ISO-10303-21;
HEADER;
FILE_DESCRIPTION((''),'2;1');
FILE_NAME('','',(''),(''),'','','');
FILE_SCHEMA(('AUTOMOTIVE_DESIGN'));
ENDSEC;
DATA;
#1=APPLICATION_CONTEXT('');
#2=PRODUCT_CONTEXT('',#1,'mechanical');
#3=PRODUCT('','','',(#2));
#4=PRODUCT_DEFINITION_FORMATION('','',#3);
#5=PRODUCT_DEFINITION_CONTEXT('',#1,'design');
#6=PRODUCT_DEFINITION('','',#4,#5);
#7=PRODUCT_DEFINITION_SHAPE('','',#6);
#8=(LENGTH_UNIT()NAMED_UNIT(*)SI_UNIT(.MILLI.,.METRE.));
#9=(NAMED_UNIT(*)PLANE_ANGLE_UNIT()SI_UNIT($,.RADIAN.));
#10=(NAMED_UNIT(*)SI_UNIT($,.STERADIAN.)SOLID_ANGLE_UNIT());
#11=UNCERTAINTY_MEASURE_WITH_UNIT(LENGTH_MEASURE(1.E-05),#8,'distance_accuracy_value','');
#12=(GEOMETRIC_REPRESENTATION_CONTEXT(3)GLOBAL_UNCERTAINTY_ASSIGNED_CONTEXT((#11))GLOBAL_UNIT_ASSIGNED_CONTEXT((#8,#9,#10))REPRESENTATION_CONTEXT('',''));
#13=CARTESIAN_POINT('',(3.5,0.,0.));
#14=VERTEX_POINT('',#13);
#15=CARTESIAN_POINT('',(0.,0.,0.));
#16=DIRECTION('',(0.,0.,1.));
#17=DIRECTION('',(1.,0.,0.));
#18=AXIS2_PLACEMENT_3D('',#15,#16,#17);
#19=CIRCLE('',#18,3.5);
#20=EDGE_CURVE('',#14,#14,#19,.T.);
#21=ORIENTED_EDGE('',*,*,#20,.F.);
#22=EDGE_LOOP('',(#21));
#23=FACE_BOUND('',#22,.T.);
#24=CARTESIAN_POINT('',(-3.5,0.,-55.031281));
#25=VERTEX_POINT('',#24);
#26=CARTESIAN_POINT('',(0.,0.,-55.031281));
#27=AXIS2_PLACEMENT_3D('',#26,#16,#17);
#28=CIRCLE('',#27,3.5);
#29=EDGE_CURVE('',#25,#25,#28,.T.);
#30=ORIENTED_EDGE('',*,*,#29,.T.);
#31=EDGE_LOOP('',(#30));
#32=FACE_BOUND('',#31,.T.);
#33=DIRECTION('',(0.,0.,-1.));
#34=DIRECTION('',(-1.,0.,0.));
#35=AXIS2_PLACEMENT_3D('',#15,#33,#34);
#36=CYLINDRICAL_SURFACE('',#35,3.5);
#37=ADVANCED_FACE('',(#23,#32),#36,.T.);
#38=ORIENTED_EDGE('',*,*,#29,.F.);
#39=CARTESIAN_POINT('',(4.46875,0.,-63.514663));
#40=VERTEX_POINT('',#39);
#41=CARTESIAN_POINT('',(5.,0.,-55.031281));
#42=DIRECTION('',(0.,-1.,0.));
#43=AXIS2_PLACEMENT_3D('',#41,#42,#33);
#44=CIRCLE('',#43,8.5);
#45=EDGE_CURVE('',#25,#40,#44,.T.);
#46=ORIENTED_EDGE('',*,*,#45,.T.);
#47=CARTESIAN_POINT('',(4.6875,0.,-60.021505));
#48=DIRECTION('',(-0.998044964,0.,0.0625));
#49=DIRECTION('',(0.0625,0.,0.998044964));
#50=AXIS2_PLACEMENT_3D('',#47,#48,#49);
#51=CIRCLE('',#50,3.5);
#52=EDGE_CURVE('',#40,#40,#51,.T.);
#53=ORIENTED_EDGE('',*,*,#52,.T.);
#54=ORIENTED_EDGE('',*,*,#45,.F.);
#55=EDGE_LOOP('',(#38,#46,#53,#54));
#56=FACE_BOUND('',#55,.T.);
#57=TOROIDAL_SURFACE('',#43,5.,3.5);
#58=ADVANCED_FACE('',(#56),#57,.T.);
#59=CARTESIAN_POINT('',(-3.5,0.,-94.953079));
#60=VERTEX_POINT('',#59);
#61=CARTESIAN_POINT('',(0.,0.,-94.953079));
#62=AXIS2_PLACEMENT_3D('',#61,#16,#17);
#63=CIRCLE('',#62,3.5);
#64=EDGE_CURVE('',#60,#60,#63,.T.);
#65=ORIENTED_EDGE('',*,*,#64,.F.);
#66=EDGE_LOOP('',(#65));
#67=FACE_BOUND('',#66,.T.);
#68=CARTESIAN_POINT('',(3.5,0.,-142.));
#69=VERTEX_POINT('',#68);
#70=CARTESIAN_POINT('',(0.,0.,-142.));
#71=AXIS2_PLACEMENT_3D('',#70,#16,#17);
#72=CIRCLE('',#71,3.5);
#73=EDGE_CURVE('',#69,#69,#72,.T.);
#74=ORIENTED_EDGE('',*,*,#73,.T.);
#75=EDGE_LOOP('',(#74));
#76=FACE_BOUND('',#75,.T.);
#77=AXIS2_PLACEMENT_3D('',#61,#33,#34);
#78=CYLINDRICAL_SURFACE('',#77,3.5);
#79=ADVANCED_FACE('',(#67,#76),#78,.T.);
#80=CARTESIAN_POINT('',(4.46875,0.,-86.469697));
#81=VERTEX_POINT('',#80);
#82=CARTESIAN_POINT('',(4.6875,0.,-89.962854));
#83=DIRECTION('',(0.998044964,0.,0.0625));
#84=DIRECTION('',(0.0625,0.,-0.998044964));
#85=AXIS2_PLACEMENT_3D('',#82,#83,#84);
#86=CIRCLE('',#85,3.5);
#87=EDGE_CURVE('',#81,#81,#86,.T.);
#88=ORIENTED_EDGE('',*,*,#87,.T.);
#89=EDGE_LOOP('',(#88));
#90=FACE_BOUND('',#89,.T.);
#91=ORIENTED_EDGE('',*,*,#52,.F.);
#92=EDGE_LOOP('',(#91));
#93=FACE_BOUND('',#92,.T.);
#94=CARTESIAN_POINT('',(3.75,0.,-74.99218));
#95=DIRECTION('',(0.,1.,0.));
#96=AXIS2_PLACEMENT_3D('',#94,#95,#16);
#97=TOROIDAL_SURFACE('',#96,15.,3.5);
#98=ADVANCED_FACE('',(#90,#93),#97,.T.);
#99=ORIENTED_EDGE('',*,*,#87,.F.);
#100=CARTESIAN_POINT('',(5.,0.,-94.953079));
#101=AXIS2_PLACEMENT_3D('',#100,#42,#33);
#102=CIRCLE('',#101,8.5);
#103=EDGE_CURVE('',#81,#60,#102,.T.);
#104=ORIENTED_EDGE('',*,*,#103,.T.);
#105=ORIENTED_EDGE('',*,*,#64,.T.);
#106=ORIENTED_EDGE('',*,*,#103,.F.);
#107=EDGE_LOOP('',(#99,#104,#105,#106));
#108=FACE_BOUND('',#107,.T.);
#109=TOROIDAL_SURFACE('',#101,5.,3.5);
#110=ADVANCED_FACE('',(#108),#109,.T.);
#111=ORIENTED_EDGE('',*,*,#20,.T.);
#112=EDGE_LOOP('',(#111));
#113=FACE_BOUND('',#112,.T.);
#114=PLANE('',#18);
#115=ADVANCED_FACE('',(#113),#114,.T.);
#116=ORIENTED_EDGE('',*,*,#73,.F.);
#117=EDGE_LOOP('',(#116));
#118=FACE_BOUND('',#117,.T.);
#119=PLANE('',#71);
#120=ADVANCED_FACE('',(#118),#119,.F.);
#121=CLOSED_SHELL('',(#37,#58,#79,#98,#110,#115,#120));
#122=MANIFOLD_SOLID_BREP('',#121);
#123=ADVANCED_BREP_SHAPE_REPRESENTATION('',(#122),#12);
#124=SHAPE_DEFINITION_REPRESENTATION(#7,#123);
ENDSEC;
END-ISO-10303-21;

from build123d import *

# Parameters (mm, degrees)
CROQUIS2_R = 3.5


with BuildPart() as part:
    # Barrer2: sweep along a path in Croquis1
    with BuildLine(Plane(origin=(0, 0, 0), x_dir=(1, 0, 0), z_dir=(0, 1, 0))) as barrer2_path:
        Line((0, 0), (0, 55.031280577))
        ThreePointArc((0, 55.031280577), (1.355655066, 58.454546562), (4.6875, 60.021505397))
        ThreePointArc((4.6875, 60.021505397), (18.75, 74.992179856), (4.6875, 89.962854314))
        ThreePointArc((4.6875, 89.962854314), (1.355655066, 91.52981315), (0, 94.953079134))
        Line((0, 94.953079134), (0, 142))
    # Croquis2 → Barrer2 (sweep)
    with BuildSketch(Plane.XY):
        Circle(CROQUIS2_R)
    sweep(path=barrer2_path.line)


solid = part.part
